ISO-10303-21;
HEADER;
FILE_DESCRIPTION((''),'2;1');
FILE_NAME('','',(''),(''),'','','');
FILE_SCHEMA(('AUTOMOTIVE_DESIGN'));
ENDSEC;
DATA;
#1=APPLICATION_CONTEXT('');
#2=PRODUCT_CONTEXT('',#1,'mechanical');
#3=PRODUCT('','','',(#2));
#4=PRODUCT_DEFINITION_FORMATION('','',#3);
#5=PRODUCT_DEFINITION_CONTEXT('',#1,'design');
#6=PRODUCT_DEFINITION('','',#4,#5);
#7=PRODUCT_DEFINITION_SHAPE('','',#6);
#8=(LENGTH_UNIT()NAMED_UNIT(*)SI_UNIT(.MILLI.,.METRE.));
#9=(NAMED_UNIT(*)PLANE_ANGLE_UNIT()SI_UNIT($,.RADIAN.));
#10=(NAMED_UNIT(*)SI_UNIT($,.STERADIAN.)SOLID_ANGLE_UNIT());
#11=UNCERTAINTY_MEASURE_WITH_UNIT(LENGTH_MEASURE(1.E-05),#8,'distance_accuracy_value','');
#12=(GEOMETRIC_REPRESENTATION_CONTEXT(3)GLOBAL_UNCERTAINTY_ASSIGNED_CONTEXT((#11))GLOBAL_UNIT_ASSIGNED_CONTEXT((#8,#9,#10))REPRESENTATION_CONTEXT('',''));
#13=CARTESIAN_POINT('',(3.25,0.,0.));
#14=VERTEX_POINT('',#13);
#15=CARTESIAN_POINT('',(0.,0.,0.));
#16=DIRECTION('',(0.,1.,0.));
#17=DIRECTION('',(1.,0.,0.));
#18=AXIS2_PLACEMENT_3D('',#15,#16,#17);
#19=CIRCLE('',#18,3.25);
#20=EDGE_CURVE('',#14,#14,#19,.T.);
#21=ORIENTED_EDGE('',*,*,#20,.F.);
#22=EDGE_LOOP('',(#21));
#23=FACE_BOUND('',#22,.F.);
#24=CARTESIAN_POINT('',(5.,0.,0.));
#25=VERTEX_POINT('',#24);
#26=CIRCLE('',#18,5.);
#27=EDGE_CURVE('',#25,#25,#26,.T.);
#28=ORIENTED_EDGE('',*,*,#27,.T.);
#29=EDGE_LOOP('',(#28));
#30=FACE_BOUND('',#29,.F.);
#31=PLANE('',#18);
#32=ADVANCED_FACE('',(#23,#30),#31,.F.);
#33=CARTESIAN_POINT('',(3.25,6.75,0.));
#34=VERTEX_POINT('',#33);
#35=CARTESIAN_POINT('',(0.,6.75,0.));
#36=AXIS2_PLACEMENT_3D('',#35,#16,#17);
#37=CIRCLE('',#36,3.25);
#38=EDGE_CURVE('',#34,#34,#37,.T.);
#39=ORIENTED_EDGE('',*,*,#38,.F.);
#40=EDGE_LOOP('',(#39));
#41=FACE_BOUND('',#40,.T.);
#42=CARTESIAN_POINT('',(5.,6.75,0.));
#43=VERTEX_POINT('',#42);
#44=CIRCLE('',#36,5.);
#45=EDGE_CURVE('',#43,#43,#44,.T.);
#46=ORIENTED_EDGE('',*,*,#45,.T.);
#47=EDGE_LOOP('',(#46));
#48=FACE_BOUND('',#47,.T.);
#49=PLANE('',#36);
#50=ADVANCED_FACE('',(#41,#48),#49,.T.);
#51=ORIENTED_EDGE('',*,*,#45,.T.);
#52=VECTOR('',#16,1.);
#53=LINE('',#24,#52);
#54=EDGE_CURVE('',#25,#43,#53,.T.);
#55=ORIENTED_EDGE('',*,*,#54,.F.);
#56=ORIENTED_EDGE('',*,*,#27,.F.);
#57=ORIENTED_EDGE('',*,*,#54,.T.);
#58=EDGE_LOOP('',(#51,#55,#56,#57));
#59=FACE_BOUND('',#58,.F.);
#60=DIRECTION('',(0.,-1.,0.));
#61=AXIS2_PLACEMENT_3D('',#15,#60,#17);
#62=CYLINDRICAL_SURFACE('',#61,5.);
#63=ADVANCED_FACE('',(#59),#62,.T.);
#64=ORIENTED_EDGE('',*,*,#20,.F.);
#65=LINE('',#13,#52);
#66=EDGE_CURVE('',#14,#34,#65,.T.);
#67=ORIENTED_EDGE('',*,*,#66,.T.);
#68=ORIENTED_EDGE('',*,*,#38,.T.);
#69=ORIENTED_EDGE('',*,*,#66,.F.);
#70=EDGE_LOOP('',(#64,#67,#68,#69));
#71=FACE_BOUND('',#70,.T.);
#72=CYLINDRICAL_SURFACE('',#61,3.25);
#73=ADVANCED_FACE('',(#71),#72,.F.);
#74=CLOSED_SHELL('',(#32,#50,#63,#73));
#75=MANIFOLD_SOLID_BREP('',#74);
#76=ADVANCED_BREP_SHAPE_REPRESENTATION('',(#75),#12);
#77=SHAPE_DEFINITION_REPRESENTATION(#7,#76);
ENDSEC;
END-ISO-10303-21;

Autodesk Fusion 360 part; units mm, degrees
sketch "Sketch1" plane through (0, 0, 0) normal (0, 1, 0) x (1, 0, 0)
  circle A0 centre (0, 0) radius 3.25
  circle A1 centre (0, 0) radius 5
  dimension "d1" = 6.5
extrude "Extrude1" add sketch "Sketch1" along normal blind 6.75
